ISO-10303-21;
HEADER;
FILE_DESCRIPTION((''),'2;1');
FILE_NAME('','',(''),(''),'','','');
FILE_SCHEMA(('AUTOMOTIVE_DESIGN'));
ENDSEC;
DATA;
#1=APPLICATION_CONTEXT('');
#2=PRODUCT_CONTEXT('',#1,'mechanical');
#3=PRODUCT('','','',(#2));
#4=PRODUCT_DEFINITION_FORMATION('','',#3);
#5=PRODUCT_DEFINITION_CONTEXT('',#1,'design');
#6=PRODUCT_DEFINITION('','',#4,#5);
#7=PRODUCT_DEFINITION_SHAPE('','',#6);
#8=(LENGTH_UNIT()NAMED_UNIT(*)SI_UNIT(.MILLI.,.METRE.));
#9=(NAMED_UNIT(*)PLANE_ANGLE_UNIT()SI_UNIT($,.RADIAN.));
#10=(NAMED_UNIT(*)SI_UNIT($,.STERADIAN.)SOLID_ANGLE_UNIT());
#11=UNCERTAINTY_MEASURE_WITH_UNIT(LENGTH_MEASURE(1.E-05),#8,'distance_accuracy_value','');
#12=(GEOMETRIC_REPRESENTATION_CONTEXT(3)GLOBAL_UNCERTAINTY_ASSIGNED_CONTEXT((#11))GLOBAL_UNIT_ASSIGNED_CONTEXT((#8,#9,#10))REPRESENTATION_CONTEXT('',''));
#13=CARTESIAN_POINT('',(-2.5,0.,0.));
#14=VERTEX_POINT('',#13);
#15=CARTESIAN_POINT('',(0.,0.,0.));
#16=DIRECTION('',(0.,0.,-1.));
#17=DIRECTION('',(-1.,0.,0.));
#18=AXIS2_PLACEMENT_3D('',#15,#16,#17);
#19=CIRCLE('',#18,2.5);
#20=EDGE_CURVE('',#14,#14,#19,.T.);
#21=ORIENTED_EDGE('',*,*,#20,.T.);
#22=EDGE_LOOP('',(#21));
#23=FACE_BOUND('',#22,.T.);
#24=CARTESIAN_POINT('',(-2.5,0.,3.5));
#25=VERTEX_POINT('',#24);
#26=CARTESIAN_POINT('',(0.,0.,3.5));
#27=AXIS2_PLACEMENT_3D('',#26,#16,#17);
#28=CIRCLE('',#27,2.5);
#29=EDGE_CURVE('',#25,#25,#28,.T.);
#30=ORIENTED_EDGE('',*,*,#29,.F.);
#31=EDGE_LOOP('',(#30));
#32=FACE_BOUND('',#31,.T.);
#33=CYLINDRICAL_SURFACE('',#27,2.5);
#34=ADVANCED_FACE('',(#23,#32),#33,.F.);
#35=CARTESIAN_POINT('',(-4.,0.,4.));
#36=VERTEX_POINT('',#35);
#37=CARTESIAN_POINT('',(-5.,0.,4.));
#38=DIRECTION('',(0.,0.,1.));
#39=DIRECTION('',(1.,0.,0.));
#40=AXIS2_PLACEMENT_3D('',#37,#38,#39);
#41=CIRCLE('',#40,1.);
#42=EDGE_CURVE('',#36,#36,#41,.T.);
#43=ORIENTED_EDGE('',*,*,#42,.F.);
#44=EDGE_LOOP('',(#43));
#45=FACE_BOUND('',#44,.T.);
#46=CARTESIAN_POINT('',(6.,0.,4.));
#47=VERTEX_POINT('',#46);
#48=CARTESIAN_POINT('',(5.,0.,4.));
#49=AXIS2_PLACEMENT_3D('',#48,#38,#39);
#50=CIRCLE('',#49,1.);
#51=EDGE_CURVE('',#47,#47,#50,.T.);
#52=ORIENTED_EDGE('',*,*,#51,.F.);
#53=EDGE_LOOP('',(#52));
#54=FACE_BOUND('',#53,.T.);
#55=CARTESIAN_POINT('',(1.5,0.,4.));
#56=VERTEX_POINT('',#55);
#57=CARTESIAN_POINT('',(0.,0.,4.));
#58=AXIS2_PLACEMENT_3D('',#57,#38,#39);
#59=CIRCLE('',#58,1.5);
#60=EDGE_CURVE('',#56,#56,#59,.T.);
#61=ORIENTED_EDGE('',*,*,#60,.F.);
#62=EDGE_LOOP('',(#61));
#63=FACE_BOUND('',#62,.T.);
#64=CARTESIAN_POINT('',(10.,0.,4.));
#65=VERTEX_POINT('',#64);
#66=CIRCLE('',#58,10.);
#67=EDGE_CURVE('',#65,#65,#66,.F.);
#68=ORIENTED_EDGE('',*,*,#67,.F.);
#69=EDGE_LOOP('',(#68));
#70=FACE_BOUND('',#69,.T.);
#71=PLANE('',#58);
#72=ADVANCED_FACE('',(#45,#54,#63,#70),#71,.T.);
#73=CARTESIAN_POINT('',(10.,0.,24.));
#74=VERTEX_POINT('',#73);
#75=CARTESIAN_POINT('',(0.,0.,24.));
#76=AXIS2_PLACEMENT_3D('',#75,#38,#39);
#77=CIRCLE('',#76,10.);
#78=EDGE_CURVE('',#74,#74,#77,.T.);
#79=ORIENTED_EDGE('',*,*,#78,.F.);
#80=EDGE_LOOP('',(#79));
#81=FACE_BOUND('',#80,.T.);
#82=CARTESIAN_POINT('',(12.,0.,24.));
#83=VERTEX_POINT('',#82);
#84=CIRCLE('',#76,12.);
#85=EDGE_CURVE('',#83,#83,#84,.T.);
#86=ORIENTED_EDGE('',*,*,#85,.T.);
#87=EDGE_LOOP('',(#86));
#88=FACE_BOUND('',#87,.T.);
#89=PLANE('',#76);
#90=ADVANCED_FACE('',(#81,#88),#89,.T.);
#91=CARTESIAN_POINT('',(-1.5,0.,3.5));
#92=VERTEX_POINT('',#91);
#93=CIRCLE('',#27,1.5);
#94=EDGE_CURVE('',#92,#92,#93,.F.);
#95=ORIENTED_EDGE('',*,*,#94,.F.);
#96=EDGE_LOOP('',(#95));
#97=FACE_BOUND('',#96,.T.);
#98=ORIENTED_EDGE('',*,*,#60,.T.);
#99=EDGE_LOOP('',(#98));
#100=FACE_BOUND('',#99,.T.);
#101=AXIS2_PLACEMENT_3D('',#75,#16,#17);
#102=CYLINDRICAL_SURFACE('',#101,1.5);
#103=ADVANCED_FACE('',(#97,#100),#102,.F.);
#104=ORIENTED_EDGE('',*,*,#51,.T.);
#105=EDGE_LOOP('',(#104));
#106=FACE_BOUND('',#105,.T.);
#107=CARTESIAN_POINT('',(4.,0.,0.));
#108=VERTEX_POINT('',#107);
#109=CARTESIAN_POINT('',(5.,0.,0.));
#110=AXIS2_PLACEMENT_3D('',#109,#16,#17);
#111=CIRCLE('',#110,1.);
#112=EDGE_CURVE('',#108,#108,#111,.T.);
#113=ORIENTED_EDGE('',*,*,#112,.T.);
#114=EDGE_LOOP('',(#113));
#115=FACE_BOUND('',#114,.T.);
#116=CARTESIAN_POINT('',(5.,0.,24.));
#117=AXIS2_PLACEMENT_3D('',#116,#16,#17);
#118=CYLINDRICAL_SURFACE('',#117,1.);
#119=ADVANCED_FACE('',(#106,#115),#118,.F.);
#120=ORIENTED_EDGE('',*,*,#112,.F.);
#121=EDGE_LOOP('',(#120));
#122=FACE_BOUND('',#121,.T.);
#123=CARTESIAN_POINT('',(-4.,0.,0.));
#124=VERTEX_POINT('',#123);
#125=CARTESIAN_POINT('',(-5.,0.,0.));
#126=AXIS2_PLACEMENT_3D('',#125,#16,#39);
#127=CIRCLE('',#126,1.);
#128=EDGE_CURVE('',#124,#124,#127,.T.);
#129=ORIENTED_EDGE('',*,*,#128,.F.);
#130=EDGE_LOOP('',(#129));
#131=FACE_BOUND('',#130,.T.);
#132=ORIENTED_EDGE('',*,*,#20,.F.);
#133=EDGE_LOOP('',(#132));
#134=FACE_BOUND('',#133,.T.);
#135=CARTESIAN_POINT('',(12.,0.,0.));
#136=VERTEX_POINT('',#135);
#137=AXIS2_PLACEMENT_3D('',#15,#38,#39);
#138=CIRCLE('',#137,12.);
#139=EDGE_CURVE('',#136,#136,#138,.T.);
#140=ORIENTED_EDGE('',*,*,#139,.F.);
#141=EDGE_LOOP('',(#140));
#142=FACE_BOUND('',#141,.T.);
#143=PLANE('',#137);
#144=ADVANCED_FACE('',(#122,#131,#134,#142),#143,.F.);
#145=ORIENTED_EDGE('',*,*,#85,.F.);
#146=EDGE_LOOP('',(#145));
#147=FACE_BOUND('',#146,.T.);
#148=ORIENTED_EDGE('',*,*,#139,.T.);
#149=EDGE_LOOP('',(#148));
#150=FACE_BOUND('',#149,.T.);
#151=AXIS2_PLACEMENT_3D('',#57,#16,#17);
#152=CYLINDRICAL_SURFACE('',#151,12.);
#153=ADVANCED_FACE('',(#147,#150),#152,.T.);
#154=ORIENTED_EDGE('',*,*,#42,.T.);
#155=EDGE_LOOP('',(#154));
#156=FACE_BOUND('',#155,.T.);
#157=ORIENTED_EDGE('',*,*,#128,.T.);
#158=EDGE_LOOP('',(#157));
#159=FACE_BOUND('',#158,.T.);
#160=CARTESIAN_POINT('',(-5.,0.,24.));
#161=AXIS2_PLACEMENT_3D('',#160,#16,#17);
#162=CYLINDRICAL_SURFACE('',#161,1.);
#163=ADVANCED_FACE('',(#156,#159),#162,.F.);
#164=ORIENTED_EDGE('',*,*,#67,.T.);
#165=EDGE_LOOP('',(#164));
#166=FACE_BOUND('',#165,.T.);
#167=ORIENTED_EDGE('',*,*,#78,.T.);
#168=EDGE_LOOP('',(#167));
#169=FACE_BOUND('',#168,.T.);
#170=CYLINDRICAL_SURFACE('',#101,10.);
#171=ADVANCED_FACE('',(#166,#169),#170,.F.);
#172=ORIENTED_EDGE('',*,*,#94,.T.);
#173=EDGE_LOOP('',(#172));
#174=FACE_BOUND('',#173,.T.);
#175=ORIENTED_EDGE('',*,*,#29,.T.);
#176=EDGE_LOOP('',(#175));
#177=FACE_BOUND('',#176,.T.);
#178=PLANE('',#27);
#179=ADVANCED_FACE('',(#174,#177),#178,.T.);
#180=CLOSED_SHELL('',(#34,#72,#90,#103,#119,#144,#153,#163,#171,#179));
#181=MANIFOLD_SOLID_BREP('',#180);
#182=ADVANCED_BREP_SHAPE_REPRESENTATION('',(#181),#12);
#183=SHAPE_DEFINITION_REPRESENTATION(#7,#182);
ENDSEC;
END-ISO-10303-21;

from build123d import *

# Parameters (mm, degrees)
SKETCH_1_R          = 12
EXTRUDE_1_DEPTH     = 4
SKETCH_2_R          = 12
SKETCH_2_R_2        = 10
EXTRUDE_2_DEPTH     = 20
SKETCH_4_R          = 1.5
CUT_EXTRUDE_1_DEPTH = 25
SKETCH_6_R          = 2.5
CUT_EXTRUDE_2_DEPTH = 3.5
SKETCH_7_R          = 1
CUT_EXTRUDE_3_DEPTH = 25


with BuildPart() as part:
    # 스케치1 → 보스-돌출1 (new body)
    with BuildSketch(Plane.XY):
        Circle(SKETCH_1_R)
    extrude(amount=EXTRUDE_1_DEPTH)

    # 스케치2 → 보스-돌출2 (add)
    with BuildSketch(Plane.XY.offset(4)):
        Circle(SKETCH_2_R)
        Circle(SKETCH_2_R_2, mode=Mode.SUBTRACT)
    extrude(amount=EXTRUDE_2_DEPTH)

    # 스케치4 → 컷-돌출1 (cut, through all)
    with BuildSketch(Plane(origin=(0, 0, 0), x_dir=(-1, 0, 0), z_dir=(0, 0, -1))):
        Circle(SKETCH_4_R)
    extrude(amount=-CUT_EXTRUDE_1_DEPTH, mode=Mode.SUBTRACT)

    # 스케치6 → 컷-돌출2 (cut)
    with BuildSketch(Plane(origin=(0, 0, 0), x_dir=(-1, 0, 0), z_dir=(0, 0, -1))):
        Circle(SKETCH_6_R)
    extrude(amount=-CUT_EXTRUDE_2_DEPTH, mode=Mode.SUBTRACT)

    # 스케치7 → 컷-돌출3 (cut, through all)
    with BuildSketch(Plane(origin=(0, 0, 0), x_dir=(-1, 0, 0), z_dir=(0, 0, -1))):
        with Locations((-5, 0)):
            Circle(SKETCH_7_R)
        with Locations((5, 0)):
            Circle(SKETCH_7_R)
    extrude(amount=-CUT_EXTRUDE_3_DEPTH, mode=Mode.SUBTRACT)


solid = part.part
